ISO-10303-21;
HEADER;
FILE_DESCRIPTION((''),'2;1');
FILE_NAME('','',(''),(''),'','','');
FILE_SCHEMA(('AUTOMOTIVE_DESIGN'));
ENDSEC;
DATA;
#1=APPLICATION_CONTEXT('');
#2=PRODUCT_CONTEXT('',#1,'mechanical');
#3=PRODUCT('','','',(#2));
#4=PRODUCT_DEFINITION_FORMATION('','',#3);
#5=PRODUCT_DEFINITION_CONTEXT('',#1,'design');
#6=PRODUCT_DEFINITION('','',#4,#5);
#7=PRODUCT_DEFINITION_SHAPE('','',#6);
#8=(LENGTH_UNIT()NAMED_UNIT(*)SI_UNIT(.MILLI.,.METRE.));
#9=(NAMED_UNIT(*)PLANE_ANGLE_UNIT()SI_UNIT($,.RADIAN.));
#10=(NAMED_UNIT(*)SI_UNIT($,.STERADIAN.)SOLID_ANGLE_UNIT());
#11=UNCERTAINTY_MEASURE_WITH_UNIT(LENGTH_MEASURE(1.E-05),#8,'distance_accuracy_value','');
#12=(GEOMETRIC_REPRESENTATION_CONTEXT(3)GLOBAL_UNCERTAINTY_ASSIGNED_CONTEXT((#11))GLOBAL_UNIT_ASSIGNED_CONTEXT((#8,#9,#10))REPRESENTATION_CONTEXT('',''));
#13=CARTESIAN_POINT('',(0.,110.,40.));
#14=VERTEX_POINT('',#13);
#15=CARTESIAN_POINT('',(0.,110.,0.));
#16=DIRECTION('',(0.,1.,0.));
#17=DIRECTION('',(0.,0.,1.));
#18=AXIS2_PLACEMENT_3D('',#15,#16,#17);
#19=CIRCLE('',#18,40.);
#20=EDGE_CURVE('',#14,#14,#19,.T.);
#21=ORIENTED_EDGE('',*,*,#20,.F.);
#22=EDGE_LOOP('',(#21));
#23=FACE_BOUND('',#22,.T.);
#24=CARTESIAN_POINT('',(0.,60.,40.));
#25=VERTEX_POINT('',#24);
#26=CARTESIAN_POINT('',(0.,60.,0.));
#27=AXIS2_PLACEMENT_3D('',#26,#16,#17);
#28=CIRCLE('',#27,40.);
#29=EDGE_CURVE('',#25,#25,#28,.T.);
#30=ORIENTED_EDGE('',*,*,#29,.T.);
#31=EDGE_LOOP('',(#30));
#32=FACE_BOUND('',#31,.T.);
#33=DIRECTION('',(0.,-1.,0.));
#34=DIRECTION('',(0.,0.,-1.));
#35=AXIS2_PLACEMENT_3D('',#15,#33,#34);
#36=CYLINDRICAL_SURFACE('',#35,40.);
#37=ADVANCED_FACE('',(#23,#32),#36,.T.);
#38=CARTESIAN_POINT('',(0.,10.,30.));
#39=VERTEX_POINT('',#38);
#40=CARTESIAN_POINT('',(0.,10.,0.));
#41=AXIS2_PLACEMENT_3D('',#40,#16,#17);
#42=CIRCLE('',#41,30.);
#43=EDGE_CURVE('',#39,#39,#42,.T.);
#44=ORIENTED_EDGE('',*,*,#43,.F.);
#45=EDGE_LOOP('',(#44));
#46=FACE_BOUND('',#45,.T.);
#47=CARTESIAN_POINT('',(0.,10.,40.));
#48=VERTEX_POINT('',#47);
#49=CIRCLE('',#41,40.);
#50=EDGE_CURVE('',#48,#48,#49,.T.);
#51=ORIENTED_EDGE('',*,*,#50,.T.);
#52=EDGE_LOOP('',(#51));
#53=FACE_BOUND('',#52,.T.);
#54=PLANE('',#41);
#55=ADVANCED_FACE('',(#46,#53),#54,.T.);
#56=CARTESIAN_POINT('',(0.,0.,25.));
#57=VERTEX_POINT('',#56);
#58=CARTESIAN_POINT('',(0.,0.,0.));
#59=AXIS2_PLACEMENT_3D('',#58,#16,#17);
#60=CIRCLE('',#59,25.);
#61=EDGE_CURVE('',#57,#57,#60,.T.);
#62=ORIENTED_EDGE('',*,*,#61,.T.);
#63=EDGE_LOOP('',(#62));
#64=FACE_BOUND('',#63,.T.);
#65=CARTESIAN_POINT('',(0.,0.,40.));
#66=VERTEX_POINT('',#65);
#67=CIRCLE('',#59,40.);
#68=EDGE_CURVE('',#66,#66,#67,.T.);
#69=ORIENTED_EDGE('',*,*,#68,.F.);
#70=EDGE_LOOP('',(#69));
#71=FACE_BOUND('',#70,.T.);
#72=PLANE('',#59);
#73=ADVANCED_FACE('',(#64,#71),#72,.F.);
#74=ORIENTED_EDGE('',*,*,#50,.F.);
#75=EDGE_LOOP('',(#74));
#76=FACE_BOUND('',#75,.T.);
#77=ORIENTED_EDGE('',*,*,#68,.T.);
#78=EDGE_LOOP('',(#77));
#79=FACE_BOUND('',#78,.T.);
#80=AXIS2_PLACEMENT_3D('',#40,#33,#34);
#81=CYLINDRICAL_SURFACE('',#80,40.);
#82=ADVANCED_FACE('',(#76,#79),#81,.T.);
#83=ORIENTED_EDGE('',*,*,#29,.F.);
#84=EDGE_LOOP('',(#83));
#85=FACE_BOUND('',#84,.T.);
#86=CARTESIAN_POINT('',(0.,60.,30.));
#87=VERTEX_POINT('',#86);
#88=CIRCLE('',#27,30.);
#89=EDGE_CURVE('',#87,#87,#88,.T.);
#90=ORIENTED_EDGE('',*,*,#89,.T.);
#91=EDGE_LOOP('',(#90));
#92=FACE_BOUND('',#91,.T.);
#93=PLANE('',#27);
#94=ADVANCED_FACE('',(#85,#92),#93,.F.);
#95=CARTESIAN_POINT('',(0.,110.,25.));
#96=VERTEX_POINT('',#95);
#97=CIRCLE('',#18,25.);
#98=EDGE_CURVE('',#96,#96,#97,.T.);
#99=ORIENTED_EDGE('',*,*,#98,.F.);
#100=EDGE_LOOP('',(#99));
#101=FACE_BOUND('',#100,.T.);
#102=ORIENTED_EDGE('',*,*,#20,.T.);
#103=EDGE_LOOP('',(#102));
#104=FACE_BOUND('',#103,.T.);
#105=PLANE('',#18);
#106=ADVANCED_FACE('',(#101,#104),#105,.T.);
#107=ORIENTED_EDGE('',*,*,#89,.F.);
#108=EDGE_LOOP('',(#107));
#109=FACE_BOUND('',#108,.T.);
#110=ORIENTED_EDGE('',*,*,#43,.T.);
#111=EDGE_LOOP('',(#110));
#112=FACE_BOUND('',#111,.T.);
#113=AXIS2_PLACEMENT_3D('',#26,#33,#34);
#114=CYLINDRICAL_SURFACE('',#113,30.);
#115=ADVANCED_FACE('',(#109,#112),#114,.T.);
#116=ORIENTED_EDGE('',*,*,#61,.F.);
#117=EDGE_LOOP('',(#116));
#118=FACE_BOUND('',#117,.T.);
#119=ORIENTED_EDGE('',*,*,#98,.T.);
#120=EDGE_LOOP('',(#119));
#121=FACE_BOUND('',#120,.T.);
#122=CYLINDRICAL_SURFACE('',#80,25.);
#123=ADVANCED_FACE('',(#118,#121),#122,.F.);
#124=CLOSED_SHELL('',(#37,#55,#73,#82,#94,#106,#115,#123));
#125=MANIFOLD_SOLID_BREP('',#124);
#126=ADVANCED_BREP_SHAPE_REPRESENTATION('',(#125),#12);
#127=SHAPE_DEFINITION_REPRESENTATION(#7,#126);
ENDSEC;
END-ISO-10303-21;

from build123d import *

# Parameters (mm, degrees)
SKETCH1_R           = 40
SKETCH1_R_2         = 25
BOSS_EXTRUDE1_DEPTH = 10
SKETCH2_R           = 30
SKETCH2_R_2         = 25
BOSS_EXTRUDE2_DEPTH = 50
SKETCH3_R           = 40
SKETCH3_R_2         = 25
BOSS_EXTRUDE3_DEPTH = 50


with BuildPart() as part:
    # Sketch1 → Boss-Extrude1 (new body)
    with BuildSketch(Plane(origin=(0, 0, 0), x_dir=(1, 0, 0), z_dir=(0, 1, 0))):
        with Locations(Location((0, 0, 0), (0, 0, 270))):
            Circle(SKETCH1_R)
        with Locations(Location((0, 0, 0), (0, 0, 270))):
            Circle(SKETCH1_R_2, mode=Mode.SUBTRACT)
    extrude(amount=BOSS_EXTRUDE1_DEPTH)

    # Sketch2 → Boss-Extrude2 (add)
    with BuildSketch(Plane(origin=(0, 10, 0), x_dir=(1, 0, 0), z_dir=(0, 1, 0))):
        with Locations(Location((0, 0, 0), (0, 0, 270))):
            Circle(SKETCH2_R)
        with Locations(Location((0, 0, 0), (0, 0, 270))):
            Circle(SKETCH2_R_2, mode=Mode.SUBTRACT)
    extrude(amount=BOSS_EXTRUDE2_DEPTH)

    # Sketch3 → Boss-Extrude3 (add)
    with BuildSketch(Plane(origin=(0, 60, 0), x_dir=(1, 0, 0), z_dir=(0, 1, 0))):
        with Locations(Location((0, 0, 0), (0, 0, 270))):
            Circle(SKETCH3_R)
        with Locations(Location((0, 0, 0), (0, 0, 270))):
            Circle(SKETCH3_R_2, mode=Mode.SUBTRACT)
    extrude(amount=BOSS_EXTRUDE3_DEPTH)


solid = part.part
